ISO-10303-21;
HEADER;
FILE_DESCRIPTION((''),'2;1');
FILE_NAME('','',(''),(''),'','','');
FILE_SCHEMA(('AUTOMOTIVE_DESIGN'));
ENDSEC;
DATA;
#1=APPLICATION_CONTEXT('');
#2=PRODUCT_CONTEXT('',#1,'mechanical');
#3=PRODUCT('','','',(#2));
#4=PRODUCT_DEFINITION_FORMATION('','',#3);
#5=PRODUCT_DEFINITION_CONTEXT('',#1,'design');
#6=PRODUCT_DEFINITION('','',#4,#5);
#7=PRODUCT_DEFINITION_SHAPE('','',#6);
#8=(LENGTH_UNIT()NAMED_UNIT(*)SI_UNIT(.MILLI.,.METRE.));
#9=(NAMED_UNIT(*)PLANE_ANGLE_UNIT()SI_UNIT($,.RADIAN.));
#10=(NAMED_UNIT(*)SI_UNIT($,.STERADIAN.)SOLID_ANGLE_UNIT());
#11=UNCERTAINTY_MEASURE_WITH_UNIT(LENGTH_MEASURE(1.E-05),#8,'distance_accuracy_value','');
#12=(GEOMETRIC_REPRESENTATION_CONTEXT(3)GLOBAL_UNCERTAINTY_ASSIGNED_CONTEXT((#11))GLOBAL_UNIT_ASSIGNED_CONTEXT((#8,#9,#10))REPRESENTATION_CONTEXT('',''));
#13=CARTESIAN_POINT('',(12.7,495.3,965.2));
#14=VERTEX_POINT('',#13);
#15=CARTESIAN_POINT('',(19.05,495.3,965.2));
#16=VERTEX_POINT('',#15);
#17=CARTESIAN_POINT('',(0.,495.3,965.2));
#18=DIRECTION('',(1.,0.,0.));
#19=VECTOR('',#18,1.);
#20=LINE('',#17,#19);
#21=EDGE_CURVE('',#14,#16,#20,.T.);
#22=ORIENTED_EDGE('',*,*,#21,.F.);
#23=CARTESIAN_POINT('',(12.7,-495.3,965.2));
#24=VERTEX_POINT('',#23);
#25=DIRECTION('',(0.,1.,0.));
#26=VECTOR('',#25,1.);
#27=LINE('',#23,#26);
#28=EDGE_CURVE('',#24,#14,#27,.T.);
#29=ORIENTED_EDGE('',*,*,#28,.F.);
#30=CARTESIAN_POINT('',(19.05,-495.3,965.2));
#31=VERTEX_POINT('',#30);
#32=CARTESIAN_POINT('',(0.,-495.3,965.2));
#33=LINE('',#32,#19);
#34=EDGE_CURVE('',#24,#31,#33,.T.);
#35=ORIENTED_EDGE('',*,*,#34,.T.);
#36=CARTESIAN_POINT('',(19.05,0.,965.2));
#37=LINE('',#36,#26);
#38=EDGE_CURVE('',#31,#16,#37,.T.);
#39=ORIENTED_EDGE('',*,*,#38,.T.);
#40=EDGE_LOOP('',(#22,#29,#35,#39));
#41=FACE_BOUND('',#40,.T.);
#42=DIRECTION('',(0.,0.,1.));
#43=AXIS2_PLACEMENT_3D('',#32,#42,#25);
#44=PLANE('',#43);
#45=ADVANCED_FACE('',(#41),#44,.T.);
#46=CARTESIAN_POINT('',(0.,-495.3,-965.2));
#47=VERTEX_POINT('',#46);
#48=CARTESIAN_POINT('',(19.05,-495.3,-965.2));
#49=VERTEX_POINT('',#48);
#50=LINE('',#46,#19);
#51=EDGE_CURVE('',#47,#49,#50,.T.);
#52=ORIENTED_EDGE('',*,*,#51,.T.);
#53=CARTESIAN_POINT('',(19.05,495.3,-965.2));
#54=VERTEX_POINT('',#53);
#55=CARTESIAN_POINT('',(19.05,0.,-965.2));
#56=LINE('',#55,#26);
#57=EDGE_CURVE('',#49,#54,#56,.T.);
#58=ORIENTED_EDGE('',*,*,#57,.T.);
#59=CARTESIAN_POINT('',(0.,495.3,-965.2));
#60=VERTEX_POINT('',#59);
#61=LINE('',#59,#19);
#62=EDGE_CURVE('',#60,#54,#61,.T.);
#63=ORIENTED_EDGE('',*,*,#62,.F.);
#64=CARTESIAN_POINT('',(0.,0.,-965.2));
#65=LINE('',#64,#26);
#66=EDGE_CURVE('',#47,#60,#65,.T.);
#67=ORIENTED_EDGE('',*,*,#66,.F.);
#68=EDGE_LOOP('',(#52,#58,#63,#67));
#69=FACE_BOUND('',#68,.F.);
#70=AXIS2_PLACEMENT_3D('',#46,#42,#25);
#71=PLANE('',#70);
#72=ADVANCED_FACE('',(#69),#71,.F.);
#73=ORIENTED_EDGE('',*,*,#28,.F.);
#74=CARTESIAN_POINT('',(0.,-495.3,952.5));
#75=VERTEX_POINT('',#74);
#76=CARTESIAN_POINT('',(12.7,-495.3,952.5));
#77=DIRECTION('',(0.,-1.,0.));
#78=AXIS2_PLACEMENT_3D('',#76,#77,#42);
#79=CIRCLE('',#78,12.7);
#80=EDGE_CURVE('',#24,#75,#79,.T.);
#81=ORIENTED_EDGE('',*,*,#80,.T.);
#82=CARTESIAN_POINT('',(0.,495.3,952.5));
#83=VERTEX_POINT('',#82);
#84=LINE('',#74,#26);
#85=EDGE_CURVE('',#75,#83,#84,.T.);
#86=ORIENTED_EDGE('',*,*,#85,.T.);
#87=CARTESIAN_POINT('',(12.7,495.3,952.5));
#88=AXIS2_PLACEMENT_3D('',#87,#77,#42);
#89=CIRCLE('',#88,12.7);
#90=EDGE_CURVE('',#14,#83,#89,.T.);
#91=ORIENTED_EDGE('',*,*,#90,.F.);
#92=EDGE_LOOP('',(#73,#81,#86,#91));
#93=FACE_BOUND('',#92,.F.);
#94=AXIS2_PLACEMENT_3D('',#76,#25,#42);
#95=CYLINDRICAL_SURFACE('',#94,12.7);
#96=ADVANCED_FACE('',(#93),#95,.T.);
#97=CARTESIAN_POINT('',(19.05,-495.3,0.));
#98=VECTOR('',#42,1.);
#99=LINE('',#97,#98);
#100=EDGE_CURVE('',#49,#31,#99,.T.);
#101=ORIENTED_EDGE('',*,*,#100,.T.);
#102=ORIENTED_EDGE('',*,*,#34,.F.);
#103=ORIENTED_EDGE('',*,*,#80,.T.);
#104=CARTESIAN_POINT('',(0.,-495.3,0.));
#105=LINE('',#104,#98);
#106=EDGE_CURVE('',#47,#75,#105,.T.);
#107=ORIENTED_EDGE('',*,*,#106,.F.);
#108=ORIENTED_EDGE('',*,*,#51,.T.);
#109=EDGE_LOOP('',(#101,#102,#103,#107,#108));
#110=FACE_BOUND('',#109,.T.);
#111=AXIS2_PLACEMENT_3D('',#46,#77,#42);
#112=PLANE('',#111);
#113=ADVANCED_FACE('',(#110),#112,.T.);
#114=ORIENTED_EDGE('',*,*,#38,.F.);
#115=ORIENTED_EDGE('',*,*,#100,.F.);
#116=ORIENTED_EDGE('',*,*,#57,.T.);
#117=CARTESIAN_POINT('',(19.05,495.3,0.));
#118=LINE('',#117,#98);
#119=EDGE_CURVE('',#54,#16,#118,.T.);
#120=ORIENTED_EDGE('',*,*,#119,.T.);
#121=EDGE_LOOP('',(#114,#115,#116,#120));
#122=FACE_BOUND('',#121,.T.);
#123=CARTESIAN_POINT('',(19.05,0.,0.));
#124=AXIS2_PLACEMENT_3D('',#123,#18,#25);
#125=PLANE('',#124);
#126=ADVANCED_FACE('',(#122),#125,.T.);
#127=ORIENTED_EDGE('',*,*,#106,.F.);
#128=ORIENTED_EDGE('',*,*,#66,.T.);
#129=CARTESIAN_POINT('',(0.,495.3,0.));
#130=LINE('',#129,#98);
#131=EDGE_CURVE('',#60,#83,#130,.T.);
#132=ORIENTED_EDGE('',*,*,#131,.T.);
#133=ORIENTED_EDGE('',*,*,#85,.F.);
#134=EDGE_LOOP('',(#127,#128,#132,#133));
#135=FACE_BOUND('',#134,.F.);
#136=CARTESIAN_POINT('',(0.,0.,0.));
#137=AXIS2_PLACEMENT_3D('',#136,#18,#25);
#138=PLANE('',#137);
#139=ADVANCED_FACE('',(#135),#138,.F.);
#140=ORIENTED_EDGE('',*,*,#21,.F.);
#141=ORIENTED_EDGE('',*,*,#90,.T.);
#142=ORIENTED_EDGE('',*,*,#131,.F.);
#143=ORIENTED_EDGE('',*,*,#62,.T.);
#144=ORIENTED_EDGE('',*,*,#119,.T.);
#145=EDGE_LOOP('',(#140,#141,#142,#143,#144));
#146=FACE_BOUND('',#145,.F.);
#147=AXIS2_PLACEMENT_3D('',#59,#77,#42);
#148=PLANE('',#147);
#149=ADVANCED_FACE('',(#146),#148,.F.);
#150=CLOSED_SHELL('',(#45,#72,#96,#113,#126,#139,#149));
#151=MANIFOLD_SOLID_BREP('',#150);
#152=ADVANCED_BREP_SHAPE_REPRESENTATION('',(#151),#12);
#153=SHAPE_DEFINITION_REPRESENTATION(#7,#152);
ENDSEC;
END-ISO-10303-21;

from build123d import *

# Parameters (mm, degrees)
F0_W     = 990.6
F0_H     = 1930.4
F1_DEPTH = 19.05
F2_R     = 12.7


with BuildPart() as f1:
    # F0 (on Right) → F1 (new body)
    with BuildSketch(Plane.YZ):
        Rectangle(F0_W, F0_H)
    extrude(amount=F1_DEPTH)

    # F2
    f2_edges = [f1.edges().sort_by_distance(p)[0] for p in [
        (0, 0, 965.2),
    ]]
    fillet(f2_edges, radius=F2_R)


solid = f1.part
